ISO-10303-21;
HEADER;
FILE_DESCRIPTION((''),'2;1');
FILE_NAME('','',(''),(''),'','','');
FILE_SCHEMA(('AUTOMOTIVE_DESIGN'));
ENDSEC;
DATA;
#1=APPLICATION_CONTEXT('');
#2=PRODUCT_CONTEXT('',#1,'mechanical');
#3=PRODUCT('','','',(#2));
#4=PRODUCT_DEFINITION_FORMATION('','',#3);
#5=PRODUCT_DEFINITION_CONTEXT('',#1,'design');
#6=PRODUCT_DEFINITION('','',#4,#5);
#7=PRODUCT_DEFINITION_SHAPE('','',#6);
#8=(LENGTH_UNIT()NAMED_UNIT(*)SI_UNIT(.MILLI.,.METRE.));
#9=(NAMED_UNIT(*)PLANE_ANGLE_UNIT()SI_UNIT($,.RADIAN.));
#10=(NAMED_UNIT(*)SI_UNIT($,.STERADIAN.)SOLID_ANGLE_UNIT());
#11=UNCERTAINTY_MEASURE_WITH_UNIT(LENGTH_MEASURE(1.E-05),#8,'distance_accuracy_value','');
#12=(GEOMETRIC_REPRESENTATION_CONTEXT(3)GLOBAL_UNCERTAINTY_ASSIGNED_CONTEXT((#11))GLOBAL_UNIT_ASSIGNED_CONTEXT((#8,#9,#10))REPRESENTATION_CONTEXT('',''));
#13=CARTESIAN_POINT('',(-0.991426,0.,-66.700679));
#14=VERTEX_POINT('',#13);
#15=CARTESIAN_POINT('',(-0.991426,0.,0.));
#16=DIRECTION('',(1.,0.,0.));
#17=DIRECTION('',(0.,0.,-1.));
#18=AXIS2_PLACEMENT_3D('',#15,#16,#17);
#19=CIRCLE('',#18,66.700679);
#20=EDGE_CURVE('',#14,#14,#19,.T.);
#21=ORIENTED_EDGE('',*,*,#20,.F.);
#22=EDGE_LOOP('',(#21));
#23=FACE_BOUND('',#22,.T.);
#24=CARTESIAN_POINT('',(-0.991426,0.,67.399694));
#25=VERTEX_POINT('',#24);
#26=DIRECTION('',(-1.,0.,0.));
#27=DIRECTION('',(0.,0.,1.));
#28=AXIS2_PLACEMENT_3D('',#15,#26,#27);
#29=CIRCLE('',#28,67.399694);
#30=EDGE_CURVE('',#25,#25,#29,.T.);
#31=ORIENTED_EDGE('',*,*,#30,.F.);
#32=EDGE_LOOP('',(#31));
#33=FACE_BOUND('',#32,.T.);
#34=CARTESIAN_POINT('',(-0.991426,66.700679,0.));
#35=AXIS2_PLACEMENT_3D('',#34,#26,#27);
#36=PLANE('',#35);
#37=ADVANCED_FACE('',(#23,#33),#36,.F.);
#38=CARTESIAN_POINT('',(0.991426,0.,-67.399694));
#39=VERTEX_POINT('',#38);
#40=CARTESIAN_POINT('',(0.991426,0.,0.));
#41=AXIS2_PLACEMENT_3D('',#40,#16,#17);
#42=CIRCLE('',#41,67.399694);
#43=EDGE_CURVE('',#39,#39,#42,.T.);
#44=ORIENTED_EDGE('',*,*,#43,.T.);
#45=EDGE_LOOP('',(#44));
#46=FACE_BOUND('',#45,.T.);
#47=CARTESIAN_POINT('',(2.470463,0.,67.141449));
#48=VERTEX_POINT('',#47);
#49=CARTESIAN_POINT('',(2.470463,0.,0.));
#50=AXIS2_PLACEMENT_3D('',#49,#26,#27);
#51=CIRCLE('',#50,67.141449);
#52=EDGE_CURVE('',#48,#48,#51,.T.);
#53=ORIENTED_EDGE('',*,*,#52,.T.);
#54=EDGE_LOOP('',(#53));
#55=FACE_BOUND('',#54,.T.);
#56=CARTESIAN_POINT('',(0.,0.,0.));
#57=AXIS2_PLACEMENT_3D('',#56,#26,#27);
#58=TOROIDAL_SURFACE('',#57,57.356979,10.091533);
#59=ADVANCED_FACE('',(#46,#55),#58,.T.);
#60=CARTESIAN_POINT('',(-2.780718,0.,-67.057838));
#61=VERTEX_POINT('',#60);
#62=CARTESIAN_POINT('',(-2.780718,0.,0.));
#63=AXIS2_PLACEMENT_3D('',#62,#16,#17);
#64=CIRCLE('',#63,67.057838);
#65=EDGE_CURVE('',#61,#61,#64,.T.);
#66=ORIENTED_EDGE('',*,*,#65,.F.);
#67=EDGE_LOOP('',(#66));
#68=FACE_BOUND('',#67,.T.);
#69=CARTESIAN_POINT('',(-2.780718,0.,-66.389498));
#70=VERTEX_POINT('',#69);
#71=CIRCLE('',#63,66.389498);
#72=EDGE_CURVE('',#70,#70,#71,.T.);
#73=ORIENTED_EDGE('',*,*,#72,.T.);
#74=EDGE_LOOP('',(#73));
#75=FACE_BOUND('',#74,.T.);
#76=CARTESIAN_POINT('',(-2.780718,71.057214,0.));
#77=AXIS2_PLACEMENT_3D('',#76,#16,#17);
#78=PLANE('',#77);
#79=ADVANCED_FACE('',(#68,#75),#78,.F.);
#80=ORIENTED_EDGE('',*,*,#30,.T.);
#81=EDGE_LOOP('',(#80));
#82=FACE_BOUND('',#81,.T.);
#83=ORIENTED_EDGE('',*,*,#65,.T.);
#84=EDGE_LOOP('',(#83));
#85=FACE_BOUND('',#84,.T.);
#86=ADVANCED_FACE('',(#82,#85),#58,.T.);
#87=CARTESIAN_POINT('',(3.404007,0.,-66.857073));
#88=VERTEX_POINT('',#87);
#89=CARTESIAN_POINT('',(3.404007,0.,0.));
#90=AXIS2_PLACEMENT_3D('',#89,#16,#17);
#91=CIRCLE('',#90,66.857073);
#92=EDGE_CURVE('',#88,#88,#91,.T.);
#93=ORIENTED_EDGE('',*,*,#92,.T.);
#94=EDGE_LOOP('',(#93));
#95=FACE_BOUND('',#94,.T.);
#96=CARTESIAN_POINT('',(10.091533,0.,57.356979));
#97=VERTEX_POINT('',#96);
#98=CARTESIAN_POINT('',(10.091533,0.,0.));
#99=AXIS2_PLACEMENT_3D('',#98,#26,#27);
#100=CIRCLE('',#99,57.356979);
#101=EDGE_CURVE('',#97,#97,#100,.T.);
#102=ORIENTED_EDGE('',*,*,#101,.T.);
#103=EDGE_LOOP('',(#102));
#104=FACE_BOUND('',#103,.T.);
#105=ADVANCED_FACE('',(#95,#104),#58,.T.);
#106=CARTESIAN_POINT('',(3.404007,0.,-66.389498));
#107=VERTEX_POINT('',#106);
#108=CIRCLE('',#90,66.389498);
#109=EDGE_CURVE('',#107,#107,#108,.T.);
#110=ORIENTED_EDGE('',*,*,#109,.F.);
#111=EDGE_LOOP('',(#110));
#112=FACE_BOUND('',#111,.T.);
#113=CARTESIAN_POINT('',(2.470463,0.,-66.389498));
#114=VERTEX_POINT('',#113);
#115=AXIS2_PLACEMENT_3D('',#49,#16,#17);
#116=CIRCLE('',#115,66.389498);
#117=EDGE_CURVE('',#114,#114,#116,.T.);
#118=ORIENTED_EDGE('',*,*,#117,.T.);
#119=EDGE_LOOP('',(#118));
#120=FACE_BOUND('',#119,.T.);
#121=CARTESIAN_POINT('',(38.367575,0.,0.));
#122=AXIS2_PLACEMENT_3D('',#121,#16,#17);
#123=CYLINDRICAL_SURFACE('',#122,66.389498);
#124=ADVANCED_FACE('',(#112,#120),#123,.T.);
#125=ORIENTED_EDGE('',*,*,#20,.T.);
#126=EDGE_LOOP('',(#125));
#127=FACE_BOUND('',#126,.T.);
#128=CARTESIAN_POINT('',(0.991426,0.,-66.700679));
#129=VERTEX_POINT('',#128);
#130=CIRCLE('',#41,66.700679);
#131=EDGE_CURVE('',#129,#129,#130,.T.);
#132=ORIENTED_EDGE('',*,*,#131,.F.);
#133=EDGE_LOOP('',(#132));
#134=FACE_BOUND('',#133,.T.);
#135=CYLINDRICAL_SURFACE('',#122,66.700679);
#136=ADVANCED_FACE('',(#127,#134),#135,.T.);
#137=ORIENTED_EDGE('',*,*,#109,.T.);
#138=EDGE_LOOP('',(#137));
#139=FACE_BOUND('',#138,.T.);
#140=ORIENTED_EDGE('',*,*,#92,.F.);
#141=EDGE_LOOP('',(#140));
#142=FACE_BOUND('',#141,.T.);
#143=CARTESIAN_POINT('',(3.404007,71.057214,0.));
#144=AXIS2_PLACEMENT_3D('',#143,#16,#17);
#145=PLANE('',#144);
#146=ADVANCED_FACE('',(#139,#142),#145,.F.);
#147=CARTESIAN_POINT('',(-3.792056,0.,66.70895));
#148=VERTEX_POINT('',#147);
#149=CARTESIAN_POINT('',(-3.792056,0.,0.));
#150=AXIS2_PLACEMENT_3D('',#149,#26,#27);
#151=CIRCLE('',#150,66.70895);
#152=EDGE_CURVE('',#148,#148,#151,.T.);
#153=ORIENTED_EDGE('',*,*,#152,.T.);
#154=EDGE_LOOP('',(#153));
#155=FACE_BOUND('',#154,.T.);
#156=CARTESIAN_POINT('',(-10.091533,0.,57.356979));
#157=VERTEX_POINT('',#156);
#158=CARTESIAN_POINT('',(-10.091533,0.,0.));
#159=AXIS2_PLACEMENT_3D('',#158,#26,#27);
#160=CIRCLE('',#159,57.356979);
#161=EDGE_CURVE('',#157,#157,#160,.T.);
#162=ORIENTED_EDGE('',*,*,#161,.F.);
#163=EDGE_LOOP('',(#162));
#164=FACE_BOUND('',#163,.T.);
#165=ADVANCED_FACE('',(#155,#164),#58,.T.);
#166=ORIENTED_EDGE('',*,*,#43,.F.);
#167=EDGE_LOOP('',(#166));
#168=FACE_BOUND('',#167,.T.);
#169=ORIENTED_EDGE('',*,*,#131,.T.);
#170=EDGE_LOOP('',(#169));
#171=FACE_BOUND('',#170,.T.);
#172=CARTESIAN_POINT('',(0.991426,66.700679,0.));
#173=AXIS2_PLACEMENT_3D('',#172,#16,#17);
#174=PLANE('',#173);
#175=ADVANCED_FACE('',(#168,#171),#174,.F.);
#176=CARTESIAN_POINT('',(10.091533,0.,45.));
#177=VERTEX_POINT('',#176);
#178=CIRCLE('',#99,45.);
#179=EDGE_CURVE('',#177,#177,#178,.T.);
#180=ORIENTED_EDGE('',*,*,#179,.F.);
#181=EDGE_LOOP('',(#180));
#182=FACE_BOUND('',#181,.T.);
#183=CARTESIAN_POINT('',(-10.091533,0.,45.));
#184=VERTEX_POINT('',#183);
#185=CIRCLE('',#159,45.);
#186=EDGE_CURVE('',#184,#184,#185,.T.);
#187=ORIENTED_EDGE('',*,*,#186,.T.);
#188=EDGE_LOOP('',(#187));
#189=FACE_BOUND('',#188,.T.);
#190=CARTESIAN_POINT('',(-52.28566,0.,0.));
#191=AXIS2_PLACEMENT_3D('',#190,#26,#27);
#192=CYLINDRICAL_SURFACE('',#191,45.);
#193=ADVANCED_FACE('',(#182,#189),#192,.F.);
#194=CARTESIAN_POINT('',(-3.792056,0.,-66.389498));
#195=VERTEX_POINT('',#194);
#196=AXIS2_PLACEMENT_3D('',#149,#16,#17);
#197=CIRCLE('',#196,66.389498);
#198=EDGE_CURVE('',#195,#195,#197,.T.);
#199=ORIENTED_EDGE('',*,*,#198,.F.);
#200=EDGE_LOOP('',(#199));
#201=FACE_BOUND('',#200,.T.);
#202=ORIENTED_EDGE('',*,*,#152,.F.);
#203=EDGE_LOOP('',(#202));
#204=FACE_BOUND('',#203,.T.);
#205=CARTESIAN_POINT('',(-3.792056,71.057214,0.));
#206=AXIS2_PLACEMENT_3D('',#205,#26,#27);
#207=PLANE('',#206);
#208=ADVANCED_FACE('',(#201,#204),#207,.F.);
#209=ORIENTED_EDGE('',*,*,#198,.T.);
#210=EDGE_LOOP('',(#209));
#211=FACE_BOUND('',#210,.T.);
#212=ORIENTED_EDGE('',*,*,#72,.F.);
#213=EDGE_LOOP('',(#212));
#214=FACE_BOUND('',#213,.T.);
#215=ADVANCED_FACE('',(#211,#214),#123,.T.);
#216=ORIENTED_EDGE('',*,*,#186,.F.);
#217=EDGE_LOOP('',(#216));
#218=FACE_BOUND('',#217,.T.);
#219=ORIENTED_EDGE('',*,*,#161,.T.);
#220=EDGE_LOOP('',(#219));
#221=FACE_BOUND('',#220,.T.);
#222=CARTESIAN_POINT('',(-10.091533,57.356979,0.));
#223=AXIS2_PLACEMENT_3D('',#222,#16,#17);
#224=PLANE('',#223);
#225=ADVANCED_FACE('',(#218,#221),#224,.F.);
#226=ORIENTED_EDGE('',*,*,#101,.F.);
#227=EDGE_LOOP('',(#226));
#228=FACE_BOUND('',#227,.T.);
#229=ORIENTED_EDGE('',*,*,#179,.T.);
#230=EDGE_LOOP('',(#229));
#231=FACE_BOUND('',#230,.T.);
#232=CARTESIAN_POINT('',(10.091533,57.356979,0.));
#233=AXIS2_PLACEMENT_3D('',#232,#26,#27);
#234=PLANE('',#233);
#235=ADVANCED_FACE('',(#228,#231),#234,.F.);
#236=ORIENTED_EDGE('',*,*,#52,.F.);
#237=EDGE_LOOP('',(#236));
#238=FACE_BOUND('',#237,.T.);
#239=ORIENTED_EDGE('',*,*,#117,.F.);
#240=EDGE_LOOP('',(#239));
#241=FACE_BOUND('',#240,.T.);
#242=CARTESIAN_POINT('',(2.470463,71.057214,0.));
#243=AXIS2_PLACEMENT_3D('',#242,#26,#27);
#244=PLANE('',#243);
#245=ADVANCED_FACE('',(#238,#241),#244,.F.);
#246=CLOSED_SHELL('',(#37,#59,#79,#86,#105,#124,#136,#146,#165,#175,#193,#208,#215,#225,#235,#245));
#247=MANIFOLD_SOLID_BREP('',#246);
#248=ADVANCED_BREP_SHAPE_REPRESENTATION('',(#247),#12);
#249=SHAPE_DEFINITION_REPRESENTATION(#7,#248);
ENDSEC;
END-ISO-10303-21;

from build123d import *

# Parameters (mm, degrees)
SKETCH2_W   = 1.982852704
SKETCH2_H   = 4.045354148
SKETCH2_W_2 = 0.933543265
SKETCH2_H_2 = 4.667716324
SKETCH2_W_3 = 1.011338537


with BuildPart() as part:
    # Sketch1 → Revolve1 (revolve)
    with BuildSketch(Plane.XY, mode=Mode.PRIVATE) as revolve1_sk:
        with BuildLine():
            Line((-10.091533181, 57.356979405), (-10.091533181, 45))
            Line((-10.091533181, 45), (10.091533181, 45))
            Line((10.091533181, 45), (10.091533181, 57.356979405))
            ThreePointArc((10.091533181, 57.356979405), (0, 67.448512586), (-10.091533181, 57.356979405))
        make_face()
    revolve(revolve1_sk.sketch.rotate(Axis((-52.285660481, 0, 0), (1, 0, 0)), 90), axis=Axis((-52.285660481, 0, 0), (1, 0, 0)))

    # Sketch2 → Cut-Revolve1 (revolve, cut)
    with BuildSketch(Plane.XY, mode=Mode.PRIVATE) as cut_revolve1_sk:
        with Locations((0, 68.723356154)):
            Rectangle(SKETCH2_W, SKETCH2_H)
        with Locations((2.937234888, 68.723356154)):
            Rectangle(SKETCH2_W_2, SKETCH2_H_2)
        with Locations((-3.286386879, 68.723356154)):
            Rectangle(SKETCH2_W_3, SKETCH2_H_2)
    revolve(cut_revolve1_sk.sketch.rotate(Axis((38.367575356, 0, 0), (1, 0, 0)), 90), axis=Axis((38.367575356, 0, 0), (1, 0, 0)), mode=Mode.SUBTRACT)


solid = part.part
